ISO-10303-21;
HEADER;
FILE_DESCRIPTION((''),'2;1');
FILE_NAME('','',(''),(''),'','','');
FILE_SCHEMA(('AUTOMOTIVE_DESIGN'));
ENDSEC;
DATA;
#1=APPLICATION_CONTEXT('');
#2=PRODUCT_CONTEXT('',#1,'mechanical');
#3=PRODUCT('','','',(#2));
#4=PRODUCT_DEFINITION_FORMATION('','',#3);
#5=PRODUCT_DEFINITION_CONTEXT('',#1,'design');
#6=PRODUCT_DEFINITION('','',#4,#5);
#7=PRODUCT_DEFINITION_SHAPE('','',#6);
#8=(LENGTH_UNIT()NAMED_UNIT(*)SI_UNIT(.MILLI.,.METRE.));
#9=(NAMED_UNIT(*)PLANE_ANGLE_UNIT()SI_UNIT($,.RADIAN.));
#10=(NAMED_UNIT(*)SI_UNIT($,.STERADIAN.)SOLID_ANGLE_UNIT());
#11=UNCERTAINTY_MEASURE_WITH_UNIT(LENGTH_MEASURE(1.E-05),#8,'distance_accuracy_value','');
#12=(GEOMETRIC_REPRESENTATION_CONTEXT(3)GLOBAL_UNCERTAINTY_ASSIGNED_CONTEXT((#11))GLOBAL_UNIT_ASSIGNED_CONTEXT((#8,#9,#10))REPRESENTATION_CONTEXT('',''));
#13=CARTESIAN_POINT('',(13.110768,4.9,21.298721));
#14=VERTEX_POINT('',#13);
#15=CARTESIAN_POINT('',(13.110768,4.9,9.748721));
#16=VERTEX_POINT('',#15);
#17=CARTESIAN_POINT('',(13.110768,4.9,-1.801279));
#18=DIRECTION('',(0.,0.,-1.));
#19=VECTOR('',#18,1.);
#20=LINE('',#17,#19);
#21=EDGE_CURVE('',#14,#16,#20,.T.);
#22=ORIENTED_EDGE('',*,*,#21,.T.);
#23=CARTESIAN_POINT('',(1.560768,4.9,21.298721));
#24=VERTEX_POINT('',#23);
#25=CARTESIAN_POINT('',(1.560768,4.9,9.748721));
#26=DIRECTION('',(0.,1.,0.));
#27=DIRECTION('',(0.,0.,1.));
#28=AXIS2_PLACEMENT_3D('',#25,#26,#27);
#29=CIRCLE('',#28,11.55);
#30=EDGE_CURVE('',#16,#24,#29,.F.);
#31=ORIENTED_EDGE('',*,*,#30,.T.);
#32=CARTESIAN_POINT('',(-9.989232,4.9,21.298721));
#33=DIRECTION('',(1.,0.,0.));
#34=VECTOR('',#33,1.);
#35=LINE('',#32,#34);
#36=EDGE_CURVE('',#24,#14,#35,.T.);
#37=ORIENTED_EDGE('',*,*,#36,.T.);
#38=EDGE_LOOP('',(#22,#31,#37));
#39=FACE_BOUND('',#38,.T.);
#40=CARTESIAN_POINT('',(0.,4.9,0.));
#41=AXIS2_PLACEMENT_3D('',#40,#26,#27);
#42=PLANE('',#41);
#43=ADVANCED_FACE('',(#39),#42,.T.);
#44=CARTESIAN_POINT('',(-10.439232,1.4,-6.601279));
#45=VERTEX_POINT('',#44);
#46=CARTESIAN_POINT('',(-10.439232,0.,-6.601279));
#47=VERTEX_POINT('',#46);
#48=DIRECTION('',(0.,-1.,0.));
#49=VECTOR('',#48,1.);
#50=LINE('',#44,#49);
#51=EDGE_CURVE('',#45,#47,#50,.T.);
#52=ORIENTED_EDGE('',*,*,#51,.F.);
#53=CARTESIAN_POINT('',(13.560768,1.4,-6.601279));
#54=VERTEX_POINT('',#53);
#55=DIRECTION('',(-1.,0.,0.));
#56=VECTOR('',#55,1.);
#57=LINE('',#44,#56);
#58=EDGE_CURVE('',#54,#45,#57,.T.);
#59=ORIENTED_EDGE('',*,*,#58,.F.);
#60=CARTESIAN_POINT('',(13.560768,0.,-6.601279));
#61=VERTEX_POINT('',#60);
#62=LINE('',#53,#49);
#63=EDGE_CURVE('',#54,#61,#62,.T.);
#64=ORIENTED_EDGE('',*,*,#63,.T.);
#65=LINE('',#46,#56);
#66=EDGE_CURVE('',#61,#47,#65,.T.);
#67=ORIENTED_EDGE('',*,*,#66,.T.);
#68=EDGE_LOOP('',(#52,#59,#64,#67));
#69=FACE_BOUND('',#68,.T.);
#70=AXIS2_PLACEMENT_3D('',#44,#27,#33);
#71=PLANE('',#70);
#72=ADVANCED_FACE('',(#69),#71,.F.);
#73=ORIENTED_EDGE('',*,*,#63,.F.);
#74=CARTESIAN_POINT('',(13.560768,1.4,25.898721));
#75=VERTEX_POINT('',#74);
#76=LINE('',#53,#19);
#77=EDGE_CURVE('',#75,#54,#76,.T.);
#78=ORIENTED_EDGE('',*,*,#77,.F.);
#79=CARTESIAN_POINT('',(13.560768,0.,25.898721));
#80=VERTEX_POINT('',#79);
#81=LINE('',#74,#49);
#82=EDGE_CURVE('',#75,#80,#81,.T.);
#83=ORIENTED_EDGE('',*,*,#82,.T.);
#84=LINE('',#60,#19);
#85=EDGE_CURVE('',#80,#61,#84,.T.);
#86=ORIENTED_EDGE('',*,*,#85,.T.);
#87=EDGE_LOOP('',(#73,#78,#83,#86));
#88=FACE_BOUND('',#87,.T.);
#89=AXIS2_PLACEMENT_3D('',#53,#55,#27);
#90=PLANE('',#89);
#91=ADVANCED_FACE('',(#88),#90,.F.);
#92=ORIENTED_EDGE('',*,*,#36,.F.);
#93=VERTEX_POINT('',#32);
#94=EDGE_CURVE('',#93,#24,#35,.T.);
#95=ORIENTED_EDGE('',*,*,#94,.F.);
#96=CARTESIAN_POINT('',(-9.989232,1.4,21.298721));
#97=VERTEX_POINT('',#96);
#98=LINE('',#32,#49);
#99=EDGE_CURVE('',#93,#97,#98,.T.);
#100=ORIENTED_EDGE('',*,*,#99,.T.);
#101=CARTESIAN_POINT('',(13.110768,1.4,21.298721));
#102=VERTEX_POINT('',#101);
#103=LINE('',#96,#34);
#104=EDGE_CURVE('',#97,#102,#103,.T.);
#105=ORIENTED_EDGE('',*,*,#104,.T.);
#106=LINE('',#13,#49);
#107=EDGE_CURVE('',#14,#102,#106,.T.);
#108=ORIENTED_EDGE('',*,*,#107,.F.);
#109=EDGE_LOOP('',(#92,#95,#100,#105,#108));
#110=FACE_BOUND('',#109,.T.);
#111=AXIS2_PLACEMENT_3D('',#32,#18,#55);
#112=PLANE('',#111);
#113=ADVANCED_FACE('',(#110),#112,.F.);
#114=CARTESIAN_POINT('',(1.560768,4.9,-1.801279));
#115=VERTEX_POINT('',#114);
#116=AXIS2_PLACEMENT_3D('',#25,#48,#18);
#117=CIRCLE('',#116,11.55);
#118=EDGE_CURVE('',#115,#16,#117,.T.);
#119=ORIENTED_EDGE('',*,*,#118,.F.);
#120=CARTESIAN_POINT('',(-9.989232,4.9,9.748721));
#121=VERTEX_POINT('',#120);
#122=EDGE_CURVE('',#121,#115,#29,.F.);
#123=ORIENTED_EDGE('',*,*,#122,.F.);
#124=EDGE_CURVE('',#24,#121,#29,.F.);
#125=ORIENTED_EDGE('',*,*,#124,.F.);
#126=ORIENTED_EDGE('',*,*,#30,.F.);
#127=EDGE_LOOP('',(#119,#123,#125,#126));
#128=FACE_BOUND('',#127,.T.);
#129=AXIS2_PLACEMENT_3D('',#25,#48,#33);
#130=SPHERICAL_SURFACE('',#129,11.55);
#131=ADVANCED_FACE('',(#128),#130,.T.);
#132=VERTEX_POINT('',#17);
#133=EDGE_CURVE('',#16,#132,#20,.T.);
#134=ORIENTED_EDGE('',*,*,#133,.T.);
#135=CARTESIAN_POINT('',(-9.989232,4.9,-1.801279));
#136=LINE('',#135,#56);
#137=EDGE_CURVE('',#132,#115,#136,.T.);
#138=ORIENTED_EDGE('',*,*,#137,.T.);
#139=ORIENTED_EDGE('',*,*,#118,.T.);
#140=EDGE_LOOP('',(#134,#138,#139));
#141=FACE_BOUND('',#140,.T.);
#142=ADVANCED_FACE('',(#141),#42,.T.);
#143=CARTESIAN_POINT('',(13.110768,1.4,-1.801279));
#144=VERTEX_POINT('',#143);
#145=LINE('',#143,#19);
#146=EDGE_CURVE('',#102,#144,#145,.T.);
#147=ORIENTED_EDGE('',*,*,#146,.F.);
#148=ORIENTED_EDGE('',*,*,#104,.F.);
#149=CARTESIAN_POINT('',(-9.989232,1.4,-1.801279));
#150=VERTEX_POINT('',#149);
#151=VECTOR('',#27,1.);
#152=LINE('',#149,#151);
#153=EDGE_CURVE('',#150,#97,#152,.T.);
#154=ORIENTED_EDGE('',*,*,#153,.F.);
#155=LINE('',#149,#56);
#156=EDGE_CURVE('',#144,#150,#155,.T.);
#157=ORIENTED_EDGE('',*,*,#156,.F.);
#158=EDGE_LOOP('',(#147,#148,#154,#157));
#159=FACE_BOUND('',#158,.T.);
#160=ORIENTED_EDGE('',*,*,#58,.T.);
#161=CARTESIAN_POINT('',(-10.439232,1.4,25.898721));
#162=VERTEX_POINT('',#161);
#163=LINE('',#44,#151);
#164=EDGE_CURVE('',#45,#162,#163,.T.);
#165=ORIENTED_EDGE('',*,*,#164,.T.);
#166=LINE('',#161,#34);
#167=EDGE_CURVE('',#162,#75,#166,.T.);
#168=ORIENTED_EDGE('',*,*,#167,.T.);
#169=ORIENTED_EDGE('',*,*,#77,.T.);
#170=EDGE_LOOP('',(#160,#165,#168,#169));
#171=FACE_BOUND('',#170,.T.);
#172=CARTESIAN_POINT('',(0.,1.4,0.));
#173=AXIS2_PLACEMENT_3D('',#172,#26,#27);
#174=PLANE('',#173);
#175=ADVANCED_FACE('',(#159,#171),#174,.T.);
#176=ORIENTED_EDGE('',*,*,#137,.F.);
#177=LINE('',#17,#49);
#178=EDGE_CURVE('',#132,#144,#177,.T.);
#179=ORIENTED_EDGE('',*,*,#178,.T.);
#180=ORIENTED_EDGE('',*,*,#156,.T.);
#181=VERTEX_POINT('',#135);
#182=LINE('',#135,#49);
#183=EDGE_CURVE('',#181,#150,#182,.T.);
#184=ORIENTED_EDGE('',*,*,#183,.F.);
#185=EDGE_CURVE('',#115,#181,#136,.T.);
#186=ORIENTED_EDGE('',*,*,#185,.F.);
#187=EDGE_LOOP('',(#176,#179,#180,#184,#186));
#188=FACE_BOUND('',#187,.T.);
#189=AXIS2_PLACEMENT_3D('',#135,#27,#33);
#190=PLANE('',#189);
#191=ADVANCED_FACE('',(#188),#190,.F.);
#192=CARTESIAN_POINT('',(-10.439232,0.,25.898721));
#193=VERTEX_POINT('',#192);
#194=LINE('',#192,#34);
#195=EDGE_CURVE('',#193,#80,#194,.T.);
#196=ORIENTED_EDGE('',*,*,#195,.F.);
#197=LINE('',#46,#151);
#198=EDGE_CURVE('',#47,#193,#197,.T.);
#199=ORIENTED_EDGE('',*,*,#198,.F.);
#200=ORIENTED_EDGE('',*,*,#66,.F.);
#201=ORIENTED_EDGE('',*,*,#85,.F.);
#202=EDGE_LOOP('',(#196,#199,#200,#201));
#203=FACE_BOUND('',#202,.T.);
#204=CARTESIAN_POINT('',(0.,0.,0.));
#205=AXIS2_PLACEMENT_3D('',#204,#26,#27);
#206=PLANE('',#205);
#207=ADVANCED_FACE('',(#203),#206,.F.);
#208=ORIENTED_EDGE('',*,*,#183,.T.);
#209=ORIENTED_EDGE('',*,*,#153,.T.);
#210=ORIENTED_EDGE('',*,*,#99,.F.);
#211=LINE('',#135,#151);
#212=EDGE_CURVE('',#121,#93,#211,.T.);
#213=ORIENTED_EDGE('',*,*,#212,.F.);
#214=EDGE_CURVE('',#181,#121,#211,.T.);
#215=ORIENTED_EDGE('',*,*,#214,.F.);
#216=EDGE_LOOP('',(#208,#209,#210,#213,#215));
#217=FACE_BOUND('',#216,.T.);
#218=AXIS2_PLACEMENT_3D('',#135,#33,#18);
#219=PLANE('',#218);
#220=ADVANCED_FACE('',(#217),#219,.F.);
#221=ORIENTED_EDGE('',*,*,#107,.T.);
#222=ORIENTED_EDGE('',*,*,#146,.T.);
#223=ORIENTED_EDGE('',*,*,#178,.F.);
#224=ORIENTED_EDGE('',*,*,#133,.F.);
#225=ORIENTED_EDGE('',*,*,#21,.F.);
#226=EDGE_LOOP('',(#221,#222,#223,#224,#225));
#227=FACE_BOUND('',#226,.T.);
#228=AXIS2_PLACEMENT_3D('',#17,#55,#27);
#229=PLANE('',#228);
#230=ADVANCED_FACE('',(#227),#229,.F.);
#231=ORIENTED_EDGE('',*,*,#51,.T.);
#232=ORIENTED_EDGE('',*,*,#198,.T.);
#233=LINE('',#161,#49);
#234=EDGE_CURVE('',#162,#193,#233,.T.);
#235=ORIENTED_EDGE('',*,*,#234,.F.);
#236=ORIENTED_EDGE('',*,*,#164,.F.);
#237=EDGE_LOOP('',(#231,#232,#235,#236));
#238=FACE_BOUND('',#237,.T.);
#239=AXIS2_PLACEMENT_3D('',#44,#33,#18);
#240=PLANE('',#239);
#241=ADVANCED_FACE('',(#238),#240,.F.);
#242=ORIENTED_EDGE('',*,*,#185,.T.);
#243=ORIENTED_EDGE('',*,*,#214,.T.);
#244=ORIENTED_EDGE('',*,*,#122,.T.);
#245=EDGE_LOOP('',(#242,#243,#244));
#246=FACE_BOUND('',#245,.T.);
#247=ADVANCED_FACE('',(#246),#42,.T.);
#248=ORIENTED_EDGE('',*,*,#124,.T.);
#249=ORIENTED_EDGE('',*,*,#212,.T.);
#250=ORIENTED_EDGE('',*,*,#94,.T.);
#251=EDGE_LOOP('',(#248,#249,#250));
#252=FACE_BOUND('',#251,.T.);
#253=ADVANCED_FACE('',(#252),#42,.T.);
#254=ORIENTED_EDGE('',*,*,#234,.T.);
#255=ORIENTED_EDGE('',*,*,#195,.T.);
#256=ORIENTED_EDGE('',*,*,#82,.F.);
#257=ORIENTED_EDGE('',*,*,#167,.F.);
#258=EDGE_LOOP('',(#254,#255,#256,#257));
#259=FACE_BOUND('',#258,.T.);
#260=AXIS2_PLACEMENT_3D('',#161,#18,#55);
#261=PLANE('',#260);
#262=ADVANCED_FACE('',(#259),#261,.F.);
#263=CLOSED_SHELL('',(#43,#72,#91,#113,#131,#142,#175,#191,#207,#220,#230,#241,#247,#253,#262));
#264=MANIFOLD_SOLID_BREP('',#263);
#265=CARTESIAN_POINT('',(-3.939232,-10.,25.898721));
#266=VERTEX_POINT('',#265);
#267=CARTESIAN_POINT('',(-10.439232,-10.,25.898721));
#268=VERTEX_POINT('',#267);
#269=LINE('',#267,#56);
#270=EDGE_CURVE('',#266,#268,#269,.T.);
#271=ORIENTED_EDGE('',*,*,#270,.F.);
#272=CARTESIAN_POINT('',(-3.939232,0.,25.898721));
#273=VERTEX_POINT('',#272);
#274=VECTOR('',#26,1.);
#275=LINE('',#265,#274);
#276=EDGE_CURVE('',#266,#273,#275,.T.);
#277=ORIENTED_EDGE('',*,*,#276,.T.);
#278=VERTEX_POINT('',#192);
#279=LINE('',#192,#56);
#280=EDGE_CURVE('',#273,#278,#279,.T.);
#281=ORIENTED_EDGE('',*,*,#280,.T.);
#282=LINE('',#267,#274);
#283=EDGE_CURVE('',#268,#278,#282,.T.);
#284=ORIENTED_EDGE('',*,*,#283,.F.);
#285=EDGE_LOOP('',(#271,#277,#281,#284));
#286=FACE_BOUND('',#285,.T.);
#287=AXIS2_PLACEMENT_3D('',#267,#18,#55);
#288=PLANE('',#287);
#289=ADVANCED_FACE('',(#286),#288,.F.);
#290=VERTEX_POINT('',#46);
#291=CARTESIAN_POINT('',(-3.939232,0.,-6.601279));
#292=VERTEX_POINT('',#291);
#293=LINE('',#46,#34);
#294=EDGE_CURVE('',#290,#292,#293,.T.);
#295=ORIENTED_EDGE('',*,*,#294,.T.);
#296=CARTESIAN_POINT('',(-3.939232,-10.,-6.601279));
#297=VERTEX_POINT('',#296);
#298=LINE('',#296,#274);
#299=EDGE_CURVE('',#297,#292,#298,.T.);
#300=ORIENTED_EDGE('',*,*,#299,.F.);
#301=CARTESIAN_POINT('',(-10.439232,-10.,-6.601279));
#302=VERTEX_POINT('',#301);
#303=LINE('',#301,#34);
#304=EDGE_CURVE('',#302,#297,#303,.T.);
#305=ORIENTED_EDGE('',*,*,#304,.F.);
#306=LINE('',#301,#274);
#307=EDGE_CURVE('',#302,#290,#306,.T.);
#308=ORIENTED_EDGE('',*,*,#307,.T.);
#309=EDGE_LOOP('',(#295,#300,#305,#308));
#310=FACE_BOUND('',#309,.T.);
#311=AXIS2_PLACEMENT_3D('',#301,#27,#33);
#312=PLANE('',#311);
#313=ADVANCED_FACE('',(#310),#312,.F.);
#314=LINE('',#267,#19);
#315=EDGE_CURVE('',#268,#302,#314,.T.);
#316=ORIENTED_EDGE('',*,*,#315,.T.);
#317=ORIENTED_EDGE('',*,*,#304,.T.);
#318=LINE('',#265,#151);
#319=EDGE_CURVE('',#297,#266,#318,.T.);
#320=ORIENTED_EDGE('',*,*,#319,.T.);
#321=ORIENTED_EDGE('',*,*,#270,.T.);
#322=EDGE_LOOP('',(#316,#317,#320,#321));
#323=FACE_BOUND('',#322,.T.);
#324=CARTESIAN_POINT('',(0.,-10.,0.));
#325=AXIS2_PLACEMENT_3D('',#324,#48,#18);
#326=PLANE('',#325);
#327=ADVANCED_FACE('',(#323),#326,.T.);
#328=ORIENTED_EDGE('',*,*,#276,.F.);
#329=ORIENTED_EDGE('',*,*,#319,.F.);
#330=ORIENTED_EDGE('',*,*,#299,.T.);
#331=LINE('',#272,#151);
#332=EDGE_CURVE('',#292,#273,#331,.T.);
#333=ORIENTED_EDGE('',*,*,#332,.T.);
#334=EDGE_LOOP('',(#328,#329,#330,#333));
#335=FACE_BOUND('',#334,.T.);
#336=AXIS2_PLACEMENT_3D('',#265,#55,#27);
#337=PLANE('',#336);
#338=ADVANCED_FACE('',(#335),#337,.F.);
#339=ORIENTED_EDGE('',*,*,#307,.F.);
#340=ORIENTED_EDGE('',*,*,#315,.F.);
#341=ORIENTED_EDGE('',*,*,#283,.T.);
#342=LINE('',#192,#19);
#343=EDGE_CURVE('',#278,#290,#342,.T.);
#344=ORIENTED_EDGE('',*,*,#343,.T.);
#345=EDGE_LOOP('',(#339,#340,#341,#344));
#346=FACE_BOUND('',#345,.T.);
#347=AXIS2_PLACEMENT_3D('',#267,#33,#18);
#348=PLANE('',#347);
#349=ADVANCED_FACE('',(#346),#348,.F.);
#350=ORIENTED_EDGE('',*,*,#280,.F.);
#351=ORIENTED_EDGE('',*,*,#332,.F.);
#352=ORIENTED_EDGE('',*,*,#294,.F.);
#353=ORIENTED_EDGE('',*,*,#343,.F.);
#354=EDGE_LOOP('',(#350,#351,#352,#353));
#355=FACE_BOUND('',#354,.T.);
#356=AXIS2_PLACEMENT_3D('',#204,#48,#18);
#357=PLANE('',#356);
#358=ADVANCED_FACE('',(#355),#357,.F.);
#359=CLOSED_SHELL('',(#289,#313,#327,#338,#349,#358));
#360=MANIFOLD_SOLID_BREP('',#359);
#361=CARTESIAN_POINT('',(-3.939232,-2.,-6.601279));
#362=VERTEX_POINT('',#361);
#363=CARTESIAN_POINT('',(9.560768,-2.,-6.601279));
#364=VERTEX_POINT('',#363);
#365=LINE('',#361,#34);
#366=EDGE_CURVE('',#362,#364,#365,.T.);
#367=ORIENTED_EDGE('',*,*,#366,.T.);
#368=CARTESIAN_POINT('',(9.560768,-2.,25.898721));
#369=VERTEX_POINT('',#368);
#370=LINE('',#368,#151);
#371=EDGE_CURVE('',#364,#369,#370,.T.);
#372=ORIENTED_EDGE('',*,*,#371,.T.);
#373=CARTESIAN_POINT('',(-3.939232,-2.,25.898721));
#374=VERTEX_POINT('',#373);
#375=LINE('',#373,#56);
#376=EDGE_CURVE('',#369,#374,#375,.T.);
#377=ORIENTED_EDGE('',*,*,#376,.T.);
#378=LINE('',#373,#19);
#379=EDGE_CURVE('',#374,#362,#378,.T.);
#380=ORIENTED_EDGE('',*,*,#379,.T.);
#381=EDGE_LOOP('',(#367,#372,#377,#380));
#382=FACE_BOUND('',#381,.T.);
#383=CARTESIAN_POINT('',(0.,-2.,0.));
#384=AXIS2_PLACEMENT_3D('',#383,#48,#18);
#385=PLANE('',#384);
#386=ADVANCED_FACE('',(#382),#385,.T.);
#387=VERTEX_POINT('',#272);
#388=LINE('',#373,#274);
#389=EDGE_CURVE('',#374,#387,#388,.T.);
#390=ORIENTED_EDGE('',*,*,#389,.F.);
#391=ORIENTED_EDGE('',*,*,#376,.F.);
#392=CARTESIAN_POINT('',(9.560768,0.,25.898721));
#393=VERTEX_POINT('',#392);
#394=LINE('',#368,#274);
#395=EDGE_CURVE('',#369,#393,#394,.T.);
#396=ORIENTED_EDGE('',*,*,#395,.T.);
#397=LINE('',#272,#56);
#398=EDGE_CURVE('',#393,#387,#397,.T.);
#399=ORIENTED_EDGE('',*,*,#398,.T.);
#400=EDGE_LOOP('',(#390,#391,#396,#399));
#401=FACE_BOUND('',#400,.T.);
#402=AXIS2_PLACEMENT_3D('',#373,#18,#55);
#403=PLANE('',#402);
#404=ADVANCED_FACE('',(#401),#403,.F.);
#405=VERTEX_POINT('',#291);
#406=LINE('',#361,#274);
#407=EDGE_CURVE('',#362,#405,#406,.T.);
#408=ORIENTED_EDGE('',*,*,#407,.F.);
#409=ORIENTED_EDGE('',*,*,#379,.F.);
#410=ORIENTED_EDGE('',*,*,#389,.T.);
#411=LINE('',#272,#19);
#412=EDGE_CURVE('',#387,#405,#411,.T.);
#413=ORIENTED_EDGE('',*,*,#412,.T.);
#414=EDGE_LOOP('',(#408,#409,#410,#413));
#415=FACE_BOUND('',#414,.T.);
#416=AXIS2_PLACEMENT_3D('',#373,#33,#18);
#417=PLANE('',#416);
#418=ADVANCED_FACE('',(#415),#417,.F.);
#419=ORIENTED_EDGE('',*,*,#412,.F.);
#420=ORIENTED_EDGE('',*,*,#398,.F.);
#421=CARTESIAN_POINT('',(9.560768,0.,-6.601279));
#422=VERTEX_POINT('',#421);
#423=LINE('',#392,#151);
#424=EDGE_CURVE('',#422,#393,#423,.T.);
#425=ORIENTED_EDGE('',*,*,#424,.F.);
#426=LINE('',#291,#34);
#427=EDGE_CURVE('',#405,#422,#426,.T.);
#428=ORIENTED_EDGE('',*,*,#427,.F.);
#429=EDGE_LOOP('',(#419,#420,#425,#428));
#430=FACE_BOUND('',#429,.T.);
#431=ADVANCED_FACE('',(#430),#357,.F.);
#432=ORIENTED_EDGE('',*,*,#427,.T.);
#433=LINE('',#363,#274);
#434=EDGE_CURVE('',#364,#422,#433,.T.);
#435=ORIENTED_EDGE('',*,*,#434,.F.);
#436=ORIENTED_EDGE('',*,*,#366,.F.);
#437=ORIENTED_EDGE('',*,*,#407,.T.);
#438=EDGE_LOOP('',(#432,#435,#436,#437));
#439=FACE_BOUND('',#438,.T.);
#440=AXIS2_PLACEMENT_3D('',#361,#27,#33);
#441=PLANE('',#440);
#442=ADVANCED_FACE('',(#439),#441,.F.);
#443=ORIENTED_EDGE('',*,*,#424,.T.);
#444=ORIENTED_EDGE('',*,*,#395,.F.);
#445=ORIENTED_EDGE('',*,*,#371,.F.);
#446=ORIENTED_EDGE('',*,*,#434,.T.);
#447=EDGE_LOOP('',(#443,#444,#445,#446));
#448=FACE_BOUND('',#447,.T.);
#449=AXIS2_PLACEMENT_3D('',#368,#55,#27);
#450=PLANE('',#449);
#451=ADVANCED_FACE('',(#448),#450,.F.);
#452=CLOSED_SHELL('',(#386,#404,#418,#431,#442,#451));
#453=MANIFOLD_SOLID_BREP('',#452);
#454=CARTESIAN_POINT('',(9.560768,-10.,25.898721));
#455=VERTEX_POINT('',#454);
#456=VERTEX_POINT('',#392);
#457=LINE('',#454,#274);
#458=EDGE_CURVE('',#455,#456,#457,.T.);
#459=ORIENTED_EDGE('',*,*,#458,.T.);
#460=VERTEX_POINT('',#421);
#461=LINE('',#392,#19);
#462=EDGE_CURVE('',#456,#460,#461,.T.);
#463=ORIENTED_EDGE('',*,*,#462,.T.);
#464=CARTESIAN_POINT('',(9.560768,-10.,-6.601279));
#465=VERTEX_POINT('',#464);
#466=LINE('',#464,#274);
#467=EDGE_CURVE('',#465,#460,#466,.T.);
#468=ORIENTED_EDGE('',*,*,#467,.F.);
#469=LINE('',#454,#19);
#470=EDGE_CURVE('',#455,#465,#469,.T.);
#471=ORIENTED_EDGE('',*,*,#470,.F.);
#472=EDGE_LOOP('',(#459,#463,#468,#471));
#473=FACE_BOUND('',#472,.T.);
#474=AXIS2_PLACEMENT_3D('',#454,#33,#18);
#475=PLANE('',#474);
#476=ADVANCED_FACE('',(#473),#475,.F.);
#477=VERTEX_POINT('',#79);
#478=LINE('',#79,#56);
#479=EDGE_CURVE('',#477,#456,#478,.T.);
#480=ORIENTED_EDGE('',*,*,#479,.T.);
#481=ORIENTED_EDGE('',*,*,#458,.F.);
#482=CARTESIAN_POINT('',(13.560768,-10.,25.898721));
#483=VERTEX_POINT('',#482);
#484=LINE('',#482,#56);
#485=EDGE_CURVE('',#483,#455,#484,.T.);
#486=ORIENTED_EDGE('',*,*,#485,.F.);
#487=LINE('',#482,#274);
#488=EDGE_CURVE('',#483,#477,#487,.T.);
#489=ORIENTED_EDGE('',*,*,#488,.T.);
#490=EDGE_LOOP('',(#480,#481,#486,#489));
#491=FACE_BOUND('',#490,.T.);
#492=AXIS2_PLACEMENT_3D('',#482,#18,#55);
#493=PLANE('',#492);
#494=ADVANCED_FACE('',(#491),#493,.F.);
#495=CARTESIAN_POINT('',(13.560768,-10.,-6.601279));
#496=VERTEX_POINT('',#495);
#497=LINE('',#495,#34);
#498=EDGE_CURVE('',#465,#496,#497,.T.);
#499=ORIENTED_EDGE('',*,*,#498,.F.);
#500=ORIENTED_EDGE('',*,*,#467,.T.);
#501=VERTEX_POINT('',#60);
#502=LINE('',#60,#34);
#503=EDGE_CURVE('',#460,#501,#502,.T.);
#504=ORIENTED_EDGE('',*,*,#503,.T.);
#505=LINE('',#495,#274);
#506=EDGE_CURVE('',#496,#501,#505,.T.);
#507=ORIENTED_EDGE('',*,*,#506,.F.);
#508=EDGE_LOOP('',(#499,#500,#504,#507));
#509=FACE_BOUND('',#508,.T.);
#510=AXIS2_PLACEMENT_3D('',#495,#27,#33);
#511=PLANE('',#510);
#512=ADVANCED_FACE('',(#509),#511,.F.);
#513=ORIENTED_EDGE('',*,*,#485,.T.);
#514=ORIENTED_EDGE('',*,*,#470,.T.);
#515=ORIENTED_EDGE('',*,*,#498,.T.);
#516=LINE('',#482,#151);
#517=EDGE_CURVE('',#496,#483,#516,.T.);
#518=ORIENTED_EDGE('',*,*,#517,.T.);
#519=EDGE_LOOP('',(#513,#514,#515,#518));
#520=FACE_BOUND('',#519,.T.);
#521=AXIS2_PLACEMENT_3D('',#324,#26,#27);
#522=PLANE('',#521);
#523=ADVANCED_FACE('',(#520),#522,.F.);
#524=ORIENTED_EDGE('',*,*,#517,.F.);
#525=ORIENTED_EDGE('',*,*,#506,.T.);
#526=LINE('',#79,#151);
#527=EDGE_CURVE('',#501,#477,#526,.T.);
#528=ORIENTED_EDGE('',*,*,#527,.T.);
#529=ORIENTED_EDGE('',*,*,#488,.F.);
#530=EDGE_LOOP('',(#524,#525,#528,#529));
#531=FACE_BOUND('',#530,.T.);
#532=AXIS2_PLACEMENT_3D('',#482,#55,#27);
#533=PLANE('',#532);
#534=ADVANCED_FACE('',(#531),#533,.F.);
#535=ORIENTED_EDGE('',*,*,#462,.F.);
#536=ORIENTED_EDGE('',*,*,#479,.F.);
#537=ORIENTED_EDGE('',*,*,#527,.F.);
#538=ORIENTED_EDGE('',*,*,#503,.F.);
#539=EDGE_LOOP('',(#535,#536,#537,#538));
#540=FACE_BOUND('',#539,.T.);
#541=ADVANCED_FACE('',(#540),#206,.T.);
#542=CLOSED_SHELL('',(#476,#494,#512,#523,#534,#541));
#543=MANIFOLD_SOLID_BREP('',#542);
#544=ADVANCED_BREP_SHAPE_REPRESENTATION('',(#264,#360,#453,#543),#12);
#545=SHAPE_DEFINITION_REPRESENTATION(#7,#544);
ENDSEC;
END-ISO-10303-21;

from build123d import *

# Parameters (mm, degrees)
SKETCH1_W             = 24
SKETCH1_H             = 32.5
BOSS_EXTRUDE1_DEPTH   = 1.4
SKETCH2_W             = 23.1
SKETCH2_H             = 23.1
BOSS_EXTRUDE2_DEPTH   = 3.5
SKETCH5_W             = 6.5
SKETCH5_H             = 32.5
BOSS_EXTRUDE5_DEPTH   = 10
SKETCH5_W_2           = 4
BOSS_EXTRUDE5_2_DEPTH = 10
SKETCH6_W             = 13.5
SKETCH6_H             = 32.5
BOSS_EXTRUDE6_DEPTH   = 2


with BuildPart() as part:
    # Sketch1 → Boss-Extrude1 (new body)
    with BuildSketch(Plane(origin=(0, 0, 0), x_dir=(1, 0, 0), z_dir=(0, 1, 0))):
        with Locations((1.560767591, -9.648720682)):
            Rectangle(SKETCH1_W, SKETCH1_H)
    extrude(amount=BOSS_EXTRUDE1_DEPTH)

    # Sketch2 → Boss-Extrude2 (add)
    with BuildSketch(Plane(origin=(0, 1.4, 0), x_dir=(1, 0, 0), z_dir=(0, 1, 0))):
        with Locations((1.560767591, -9.748720682)):
            Rectangle(SKETCH2_W, SKETCH2_H)
    extrude(amount=BOSS_EXTRUDE2_DEPTH)

    # Sketch4 → Revolve1 (revolve)
    with BuildSketch(Plane.XY.offset(9.748720682)):
        with BuildLine():
            Line((-9.989232409, 4.9), (1.560767591, 4.9))
            Line((1.560767591, 4.9), (1.560767591, 16.45))
            ThreePointArc((1.560767591, 16.45), (-6.606315732, 13.067083323), (-9.989232409, 4.9))
        make_face()
    revolve(axis=Axis((1.560767591, 4.9, 9.748720682), (0, 1, 0)))


with BuildPart() as body_2:
    # Sketch5 → Boss-Extrude5 (new body)
    with BuildSketch(Plane.XZ):
        with Locations((-7.189232409, 9.648720682)):
            Rectangle(SKETCH5_W, SKETCH5_H)
    extrude(amount=BOSS_EXTRUDE5_DEPTH)


with BuildPart() as body_3:
    # Sketch5 → Boss-Extrude5 2 (new body)
    with BuildSketch(Plane.XZ):
        with Locations((11.560767591, 9.648720682)):
            Rectangle(SKETCH5_W_2, SKETCH5_H)
    extrude(amount=BOSS_EXTRUDE5_2_DEPTH)


with BuildPart() as body_4:
    # Sketch6 → Boss-Extrude6 (new body)
    with BuildSketch(Plane.XZ):
        with Locations((2.810767591, 9.648720682)):
            Rectangle(SKETCH6_W, SKETCH6_H)
    extrude(amount=BOSS_EXTRUDE6_DEPTH)


solid = Compound([part.part, body_2.part, body_3.part, body_4.part])
